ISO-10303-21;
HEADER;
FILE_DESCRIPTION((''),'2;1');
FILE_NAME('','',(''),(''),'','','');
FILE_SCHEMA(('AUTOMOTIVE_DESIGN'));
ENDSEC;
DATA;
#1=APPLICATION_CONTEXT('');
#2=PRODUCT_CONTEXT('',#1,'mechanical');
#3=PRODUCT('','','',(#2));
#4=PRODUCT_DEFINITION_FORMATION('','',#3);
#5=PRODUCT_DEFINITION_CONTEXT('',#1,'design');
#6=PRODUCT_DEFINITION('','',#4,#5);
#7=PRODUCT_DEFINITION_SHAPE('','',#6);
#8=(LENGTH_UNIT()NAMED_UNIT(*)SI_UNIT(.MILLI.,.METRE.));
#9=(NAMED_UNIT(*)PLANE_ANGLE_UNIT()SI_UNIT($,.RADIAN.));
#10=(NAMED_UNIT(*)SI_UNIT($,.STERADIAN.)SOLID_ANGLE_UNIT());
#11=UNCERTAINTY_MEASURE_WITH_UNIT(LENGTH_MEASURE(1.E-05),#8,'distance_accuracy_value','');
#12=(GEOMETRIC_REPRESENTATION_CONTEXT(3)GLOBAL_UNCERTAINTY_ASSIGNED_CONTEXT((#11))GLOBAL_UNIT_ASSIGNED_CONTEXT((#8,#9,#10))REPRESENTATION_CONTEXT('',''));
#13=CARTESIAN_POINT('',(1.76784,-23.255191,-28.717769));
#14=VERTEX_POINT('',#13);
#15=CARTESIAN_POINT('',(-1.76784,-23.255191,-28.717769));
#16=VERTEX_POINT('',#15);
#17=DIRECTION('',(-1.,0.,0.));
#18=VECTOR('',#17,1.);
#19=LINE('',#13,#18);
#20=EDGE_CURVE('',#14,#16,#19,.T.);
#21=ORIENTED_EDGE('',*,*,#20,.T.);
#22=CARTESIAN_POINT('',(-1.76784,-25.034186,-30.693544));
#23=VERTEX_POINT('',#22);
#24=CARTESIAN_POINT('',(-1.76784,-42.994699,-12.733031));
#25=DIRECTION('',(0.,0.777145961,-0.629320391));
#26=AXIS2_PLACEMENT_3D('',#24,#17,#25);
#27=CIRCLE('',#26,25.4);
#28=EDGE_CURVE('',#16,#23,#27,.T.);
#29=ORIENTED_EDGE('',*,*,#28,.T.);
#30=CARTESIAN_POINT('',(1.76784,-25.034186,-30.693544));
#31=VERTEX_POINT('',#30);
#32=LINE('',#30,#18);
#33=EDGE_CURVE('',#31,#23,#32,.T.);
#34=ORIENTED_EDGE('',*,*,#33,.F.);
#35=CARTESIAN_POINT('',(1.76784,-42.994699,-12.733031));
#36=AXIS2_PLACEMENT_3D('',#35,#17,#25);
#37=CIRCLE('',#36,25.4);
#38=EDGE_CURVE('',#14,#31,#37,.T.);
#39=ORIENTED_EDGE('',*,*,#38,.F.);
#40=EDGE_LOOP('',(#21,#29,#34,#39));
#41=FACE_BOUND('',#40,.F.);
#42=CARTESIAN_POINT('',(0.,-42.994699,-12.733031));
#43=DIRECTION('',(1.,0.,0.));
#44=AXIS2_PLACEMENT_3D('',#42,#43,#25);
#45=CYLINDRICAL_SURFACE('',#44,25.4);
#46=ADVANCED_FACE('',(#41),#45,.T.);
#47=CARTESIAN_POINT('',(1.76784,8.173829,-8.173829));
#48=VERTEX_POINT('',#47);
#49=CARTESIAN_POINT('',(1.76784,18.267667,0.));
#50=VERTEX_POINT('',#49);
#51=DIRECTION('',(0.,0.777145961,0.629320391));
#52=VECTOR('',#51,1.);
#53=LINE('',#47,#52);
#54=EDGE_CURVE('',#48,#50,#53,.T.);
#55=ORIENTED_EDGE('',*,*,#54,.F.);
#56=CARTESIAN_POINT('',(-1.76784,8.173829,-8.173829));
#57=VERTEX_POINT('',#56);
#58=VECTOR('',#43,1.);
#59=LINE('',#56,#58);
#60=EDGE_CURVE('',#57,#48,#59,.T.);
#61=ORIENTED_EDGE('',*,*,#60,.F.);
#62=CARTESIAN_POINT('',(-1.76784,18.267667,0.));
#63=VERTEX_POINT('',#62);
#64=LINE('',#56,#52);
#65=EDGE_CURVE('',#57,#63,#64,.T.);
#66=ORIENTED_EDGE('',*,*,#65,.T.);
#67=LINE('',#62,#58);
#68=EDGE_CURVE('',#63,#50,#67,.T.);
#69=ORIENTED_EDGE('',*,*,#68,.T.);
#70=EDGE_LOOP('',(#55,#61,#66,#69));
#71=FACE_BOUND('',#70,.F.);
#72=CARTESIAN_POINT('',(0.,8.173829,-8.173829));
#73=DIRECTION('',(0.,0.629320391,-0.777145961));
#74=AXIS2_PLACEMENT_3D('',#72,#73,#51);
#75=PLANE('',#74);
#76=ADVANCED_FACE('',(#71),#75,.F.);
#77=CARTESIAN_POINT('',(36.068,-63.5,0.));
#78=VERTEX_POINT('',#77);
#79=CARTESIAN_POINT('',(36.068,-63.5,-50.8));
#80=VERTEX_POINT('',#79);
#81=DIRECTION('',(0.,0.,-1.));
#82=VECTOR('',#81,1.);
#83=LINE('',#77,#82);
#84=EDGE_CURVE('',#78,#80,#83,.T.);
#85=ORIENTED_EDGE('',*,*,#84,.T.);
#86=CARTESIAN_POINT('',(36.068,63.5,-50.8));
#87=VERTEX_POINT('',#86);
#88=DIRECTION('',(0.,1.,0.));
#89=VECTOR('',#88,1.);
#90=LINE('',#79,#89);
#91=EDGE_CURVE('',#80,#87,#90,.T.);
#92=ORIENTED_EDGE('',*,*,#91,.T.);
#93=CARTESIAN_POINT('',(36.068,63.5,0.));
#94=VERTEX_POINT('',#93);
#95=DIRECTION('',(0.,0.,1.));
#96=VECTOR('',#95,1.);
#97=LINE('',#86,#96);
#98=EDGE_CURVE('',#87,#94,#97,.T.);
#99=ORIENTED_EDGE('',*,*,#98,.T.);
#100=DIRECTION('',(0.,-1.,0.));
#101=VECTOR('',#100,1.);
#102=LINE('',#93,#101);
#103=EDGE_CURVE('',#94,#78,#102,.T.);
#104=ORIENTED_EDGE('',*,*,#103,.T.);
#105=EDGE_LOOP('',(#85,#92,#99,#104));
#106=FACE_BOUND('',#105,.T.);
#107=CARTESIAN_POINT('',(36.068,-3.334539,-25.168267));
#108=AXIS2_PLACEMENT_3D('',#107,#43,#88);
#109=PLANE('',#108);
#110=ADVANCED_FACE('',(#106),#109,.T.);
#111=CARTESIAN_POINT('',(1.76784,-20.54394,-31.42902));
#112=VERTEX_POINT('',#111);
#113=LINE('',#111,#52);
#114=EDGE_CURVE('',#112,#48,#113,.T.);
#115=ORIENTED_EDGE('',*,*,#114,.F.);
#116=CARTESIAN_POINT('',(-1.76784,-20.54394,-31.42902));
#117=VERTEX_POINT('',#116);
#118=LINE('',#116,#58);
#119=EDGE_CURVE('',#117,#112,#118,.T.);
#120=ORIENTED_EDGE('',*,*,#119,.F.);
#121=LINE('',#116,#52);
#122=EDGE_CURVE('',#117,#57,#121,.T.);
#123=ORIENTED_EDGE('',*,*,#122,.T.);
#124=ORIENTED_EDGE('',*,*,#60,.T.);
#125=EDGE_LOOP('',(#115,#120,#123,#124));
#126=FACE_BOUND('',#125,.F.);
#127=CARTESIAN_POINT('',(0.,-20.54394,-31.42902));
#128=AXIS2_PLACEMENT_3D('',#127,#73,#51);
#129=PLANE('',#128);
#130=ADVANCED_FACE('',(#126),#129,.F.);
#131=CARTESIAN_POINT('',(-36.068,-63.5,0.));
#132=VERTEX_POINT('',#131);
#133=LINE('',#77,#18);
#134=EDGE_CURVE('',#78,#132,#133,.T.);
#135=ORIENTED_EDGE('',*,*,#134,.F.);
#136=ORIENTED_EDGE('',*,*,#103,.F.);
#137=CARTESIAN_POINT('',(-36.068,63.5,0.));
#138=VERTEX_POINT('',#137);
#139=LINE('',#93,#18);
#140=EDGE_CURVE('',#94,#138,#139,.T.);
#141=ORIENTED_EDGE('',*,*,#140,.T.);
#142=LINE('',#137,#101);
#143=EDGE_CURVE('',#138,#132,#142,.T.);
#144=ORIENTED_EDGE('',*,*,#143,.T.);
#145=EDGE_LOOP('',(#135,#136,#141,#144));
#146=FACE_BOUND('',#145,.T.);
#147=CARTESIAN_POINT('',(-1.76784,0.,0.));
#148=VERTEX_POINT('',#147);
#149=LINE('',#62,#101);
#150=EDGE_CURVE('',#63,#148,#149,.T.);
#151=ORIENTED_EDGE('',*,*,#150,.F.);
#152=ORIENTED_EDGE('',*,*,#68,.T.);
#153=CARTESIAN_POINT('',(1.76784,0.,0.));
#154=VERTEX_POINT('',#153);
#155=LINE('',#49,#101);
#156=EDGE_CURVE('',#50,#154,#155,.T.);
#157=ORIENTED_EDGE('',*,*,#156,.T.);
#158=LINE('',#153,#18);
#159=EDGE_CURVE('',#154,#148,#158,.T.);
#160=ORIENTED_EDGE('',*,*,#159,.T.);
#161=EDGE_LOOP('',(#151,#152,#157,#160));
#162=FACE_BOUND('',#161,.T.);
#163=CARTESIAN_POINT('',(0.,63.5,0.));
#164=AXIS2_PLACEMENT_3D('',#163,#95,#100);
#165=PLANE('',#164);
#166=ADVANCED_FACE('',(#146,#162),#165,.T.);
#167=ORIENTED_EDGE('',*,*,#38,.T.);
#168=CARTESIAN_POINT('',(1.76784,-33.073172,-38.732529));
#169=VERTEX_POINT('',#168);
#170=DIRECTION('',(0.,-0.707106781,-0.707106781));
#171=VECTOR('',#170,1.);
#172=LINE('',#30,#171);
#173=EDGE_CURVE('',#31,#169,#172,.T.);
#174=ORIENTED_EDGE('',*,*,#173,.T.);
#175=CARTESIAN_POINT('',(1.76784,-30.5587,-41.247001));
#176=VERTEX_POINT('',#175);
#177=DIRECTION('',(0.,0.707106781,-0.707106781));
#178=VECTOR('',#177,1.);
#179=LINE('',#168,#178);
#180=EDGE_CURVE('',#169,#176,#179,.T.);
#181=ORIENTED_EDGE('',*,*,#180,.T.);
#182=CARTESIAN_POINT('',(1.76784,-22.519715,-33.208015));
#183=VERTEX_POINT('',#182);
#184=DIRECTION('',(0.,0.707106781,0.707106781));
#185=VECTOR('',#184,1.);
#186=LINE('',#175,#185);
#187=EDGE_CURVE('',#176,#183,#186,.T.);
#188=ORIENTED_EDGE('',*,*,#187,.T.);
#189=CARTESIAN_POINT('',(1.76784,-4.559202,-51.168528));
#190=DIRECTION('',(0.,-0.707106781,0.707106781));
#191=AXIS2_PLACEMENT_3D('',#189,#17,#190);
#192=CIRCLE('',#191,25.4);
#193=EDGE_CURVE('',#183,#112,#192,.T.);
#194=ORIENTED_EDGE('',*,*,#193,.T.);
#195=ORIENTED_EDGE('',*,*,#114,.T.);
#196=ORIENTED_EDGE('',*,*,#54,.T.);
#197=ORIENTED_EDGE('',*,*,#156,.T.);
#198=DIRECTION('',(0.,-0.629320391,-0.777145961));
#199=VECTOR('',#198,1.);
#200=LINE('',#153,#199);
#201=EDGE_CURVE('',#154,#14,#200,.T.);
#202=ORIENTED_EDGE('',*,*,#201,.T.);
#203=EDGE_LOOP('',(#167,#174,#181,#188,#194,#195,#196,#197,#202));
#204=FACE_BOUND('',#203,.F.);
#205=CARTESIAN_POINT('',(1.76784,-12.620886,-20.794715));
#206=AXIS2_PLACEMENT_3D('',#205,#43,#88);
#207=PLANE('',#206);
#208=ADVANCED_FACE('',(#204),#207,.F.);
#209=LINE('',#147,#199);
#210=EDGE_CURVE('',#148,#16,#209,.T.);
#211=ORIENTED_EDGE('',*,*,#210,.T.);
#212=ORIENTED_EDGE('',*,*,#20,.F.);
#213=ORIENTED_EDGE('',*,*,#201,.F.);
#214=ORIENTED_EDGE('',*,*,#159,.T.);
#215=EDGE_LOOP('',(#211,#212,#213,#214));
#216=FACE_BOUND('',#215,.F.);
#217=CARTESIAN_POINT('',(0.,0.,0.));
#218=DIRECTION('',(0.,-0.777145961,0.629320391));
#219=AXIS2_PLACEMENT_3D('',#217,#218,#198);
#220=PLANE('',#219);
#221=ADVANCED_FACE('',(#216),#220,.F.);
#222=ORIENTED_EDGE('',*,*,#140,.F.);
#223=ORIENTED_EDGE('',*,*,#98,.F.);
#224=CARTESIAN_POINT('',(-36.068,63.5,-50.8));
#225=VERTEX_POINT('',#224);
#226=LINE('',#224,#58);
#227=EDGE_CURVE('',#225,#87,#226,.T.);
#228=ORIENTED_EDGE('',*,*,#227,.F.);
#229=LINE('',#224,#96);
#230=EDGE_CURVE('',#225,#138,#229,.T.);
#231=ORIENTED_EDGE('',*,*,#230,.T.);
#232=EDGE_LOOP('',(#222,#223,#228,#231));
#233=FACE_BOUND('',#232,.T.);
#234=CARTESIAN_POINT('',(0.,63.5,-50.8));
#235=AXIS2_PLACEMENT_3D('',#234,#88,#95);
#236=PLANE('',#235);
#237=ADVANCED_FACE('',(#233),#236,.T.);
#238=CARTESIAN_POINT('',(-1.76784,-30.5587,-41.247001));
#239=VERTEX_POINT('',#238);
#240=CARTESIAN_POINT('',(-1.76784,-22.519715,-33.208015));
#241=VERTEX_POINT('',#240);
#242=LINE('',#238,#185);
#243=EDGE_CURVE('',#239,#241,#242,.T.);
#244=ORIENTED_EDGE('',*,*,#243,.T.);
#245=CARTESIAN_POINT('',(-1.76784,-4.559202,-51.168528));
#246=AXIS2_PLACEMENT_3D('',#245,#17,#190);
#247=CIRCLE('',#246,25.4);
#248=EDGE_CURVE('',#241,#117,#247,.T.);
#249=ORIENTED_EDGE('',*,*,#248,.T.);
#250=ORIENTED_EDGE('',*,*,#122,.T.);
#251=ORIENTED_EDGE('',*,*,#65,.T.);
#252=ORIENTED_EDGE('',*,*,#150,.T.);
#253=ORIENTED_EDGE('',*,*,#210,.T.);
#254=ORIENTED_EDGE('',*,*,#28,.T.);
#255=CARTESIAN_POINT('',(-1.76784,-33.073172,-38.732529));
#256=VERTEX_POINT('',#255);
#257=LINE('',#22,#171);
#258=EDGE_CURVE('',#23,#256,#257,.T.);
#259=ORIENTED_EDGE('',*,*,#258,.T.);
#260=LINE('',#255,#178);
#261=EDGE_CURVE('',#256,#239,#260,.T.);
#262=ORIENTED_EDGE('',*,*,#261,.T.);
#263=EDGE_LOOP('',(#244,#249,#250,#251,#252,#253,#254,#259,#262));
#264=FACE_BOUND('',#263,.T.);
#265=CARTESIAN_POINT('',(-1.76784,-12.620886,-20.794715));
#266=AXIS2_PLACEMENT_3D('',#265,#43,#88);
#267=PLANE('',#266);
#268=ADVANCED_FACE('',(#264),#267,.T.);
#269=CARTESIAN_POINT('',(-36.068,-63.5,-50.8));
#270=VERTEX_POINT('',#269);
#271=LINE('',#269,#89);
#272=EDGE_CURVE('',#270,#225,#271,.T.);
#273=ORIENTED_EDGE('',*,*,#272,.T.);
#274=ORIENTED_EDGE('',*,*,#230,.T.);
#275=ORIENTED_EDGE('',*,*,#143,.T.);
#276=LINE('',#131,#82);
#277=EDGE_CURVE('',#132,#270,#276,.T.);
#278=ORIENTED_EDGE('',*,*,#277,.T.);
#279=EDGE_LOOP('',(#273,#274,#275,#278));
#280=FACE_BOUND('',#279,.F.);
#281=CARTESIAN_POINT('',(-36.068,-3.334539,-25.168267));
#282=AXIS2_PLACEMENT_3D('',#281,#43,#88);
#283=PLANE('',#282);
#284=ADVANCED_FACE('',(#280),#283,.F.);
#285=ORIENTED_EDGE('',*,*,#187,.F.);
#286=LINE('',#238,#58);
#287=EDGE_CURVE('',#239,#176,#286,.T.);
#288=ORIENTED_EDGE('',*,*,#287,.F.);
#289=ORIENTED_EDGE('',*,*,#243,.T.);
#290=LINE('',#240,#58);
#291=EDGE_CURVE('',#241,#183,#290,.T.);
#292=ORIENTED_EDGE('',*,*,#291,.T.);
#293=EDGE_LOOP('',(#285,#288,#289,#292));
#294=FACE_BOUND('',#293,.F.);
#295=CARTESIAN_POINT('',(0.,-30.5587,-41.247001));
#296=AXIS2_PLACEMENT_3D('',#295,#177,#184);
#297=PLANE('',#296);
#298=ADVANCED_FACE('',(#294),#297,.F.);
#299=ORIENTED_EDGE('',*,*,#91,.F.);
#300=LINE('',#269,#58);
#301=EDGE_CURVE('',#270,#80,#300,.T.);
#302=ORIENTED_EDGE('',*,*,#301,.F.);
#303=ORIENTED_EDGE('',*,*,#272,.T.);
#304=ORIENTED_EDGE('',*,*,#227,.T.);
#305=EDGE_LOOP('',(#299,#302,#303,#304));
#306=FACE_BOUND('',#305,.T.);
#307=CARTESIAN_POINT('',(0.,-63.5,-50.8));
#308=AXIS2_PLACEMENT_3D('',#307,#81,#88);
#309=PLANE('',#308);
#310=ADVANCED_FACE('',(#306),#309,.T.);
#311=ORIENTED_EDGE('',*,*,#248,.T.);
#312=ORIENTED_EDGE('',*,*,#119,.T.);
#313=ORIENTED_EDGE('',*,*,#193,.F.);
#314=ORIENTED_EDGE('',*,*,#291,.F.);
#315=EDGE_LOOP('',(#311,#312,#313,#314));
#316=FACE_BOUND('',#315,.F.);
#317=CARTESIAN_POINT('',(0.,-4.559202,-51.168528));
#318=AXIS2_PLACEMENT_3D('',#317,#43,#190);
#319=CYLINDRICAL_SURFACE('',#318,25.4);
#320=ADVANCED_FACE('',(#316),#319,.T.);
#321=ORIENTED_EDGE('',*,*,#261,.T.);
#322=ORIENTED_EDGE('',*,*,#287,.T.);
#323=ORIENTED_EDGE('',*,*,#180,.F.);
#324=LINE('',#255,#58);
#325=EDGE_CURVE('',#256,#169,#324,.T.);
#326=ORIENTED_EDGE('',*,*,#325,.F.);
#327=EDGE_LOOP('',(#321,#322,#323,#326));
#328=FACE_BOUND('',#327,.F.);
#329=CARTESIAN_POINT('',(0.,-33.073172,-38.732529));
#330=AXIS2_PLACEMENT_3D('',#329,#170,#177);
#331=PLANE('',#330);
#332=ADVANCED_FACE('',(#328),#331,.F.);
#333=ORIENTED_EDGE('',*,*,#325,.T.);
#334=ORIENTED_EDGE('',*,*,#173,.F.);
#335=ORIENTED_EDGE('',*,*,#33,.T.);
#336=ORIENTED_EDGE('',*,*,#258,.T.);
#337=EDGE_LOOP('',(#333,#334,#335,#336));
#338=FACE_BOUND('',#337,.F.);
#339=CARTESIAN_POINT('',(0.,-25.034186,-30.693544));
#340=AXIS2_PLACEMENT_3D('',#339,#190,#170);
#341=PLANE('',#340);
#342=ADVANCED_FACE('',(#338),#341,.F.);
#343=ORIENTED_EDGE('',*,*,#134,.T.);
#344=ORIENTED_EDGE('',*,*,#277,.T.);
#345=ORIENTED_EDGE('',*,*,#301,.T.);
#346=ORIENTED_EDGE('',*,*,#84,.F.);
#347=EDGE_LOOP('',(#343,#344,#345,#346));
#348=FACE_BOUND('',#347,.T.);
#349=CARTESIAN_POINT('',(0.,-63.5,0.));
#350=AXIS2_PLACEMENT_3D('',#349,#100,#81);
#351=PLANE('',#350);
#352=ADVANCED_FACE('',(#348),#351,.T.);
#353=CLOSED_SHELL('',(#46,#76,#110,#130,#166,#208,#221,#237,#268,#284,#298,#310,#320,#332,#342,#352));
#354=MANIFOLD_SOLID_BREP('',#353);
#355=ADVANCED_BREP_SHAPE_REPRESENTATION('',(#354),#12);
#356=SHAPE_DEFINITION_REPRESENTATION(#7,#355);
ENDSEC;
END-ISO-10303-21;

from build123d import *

# Parameters (mm, degrees)
F1_DEPTH = 36.068
F2_DEPTH = 1.76784


with BuildPart() as f1:
    # F0 (on Right) → F1 (new body, symmetric)
    with BuildSketch(Plane.YZ):
        with BuildLine():
            Line((-30.5587001792, -41.2470010145), (-33.0731718931, -38.7325293006))
            Line((-33.0731718931, -38.7325293006), (-25.0341863335, -30.693543741))
            ThreePointArc((-25.0341863335, -30.693543741), (-24.1188200085, -29.7289489003), (-23.2551911546, -28.7177694315))
            Line((-23.2551911546, -28.7177694315), (0, 0))
            Line((0, 0), (-63.5, 0))
            Line((-63.5, 0), (-63.5, -50.8))
            Line((-63.5, -50.8), (63.5, -50.8))
            Line((63.5, -50.8), (63.5, 0))
            Line((63.5, 0), (18.2676674614, 0))
            Line((18.2676674614, 0), (8.1738291214, -8.1738291214))
            Line((8.1738291214, -8.1738291214), (-20.5439403101, -31.429020276))
            ThreePointArc((-20.5439403101, -31.429020276), (-21.5551197789, -32.2926491299), (-22.5197146196, -33.2080154549))
            Line((-22.5197146196, -33.2080154549), (-30.5587001792, -41.2470010145))
        make_face()
        with BuildLine():
            Line((-25.0341863335, -30.693543741), (-33.0731718931, -38.7325293006))
            Line((-33.0731718931, -38.7325293006), (-30.5587001792, -41.2470010145))
            Line((-30.5587001792, -41.2470010145), (-22.5197146196, -33.2080154549))
            ThreePointArc((-22.5197146196, -33.2080154549), (-21.5551197789, -32.2926491299), (-20.5439403101, -31.429020276))
            Line((-20.5439403101, -31.429020276), (8.1738291214, -8.1738291214))
            Line((8.1738291214, -8.1738291214), (0, 0))
            Line((0, 0), (-23.2551911546, -28.7177694315))
            ThreePointArc((-23.2551911546, -28.7177694315), (-24.1188200085, -29.7289489003), (-25.0341863335, -30.693543741))
        make_face()
        Polygon((18.2676674614, 0), (0, 0), (8.1738291214, -8.1738291214), align=None)
    extrude(amount=F1_DEPTH, both=True)

    # F0 (on Right) → F2 (cut, symmetric)
    with BuildSketch(Plane.YZ):
        with BuildLine():
            Line((-25.0341863335, -30.693543741), (-33.0731718931, -38.7325293006))
            Line((-33.0731718931, -38.7325293006), (-30.5587001792, -41.2470010145))
            Line((-30.5587001792, -41.2470010145), (-22.5197146196, -33.2080154549))
            ThreePointArc((-22.5197146196, -33.2080154549), (-21.5551197789, -32.2926491299), (-20.5439403101, -31.429020276))
            Line((-20.5439403101, -31.429020276), (8.1738291214, -8.1738291214))
            Line((8.1738291214, -8.1738291214), (0, 0))
            Line((0, 0), (-23.2551911546, -28.7177694315))
            ThreePointArc((-23.2551911546, -28.7177694315), (-24.1188200085, -29.7289489003), (-25.0341863335, -30.693543741))
        make_face()
        Polygon((18.2676674614, 0), (0, 0), (8.1738291214, -8.1738291214), align=None)
    extrude(amount=F2_DEPTH, both=True, mode=Mode.SUBTRACT)


solid = f1.part
